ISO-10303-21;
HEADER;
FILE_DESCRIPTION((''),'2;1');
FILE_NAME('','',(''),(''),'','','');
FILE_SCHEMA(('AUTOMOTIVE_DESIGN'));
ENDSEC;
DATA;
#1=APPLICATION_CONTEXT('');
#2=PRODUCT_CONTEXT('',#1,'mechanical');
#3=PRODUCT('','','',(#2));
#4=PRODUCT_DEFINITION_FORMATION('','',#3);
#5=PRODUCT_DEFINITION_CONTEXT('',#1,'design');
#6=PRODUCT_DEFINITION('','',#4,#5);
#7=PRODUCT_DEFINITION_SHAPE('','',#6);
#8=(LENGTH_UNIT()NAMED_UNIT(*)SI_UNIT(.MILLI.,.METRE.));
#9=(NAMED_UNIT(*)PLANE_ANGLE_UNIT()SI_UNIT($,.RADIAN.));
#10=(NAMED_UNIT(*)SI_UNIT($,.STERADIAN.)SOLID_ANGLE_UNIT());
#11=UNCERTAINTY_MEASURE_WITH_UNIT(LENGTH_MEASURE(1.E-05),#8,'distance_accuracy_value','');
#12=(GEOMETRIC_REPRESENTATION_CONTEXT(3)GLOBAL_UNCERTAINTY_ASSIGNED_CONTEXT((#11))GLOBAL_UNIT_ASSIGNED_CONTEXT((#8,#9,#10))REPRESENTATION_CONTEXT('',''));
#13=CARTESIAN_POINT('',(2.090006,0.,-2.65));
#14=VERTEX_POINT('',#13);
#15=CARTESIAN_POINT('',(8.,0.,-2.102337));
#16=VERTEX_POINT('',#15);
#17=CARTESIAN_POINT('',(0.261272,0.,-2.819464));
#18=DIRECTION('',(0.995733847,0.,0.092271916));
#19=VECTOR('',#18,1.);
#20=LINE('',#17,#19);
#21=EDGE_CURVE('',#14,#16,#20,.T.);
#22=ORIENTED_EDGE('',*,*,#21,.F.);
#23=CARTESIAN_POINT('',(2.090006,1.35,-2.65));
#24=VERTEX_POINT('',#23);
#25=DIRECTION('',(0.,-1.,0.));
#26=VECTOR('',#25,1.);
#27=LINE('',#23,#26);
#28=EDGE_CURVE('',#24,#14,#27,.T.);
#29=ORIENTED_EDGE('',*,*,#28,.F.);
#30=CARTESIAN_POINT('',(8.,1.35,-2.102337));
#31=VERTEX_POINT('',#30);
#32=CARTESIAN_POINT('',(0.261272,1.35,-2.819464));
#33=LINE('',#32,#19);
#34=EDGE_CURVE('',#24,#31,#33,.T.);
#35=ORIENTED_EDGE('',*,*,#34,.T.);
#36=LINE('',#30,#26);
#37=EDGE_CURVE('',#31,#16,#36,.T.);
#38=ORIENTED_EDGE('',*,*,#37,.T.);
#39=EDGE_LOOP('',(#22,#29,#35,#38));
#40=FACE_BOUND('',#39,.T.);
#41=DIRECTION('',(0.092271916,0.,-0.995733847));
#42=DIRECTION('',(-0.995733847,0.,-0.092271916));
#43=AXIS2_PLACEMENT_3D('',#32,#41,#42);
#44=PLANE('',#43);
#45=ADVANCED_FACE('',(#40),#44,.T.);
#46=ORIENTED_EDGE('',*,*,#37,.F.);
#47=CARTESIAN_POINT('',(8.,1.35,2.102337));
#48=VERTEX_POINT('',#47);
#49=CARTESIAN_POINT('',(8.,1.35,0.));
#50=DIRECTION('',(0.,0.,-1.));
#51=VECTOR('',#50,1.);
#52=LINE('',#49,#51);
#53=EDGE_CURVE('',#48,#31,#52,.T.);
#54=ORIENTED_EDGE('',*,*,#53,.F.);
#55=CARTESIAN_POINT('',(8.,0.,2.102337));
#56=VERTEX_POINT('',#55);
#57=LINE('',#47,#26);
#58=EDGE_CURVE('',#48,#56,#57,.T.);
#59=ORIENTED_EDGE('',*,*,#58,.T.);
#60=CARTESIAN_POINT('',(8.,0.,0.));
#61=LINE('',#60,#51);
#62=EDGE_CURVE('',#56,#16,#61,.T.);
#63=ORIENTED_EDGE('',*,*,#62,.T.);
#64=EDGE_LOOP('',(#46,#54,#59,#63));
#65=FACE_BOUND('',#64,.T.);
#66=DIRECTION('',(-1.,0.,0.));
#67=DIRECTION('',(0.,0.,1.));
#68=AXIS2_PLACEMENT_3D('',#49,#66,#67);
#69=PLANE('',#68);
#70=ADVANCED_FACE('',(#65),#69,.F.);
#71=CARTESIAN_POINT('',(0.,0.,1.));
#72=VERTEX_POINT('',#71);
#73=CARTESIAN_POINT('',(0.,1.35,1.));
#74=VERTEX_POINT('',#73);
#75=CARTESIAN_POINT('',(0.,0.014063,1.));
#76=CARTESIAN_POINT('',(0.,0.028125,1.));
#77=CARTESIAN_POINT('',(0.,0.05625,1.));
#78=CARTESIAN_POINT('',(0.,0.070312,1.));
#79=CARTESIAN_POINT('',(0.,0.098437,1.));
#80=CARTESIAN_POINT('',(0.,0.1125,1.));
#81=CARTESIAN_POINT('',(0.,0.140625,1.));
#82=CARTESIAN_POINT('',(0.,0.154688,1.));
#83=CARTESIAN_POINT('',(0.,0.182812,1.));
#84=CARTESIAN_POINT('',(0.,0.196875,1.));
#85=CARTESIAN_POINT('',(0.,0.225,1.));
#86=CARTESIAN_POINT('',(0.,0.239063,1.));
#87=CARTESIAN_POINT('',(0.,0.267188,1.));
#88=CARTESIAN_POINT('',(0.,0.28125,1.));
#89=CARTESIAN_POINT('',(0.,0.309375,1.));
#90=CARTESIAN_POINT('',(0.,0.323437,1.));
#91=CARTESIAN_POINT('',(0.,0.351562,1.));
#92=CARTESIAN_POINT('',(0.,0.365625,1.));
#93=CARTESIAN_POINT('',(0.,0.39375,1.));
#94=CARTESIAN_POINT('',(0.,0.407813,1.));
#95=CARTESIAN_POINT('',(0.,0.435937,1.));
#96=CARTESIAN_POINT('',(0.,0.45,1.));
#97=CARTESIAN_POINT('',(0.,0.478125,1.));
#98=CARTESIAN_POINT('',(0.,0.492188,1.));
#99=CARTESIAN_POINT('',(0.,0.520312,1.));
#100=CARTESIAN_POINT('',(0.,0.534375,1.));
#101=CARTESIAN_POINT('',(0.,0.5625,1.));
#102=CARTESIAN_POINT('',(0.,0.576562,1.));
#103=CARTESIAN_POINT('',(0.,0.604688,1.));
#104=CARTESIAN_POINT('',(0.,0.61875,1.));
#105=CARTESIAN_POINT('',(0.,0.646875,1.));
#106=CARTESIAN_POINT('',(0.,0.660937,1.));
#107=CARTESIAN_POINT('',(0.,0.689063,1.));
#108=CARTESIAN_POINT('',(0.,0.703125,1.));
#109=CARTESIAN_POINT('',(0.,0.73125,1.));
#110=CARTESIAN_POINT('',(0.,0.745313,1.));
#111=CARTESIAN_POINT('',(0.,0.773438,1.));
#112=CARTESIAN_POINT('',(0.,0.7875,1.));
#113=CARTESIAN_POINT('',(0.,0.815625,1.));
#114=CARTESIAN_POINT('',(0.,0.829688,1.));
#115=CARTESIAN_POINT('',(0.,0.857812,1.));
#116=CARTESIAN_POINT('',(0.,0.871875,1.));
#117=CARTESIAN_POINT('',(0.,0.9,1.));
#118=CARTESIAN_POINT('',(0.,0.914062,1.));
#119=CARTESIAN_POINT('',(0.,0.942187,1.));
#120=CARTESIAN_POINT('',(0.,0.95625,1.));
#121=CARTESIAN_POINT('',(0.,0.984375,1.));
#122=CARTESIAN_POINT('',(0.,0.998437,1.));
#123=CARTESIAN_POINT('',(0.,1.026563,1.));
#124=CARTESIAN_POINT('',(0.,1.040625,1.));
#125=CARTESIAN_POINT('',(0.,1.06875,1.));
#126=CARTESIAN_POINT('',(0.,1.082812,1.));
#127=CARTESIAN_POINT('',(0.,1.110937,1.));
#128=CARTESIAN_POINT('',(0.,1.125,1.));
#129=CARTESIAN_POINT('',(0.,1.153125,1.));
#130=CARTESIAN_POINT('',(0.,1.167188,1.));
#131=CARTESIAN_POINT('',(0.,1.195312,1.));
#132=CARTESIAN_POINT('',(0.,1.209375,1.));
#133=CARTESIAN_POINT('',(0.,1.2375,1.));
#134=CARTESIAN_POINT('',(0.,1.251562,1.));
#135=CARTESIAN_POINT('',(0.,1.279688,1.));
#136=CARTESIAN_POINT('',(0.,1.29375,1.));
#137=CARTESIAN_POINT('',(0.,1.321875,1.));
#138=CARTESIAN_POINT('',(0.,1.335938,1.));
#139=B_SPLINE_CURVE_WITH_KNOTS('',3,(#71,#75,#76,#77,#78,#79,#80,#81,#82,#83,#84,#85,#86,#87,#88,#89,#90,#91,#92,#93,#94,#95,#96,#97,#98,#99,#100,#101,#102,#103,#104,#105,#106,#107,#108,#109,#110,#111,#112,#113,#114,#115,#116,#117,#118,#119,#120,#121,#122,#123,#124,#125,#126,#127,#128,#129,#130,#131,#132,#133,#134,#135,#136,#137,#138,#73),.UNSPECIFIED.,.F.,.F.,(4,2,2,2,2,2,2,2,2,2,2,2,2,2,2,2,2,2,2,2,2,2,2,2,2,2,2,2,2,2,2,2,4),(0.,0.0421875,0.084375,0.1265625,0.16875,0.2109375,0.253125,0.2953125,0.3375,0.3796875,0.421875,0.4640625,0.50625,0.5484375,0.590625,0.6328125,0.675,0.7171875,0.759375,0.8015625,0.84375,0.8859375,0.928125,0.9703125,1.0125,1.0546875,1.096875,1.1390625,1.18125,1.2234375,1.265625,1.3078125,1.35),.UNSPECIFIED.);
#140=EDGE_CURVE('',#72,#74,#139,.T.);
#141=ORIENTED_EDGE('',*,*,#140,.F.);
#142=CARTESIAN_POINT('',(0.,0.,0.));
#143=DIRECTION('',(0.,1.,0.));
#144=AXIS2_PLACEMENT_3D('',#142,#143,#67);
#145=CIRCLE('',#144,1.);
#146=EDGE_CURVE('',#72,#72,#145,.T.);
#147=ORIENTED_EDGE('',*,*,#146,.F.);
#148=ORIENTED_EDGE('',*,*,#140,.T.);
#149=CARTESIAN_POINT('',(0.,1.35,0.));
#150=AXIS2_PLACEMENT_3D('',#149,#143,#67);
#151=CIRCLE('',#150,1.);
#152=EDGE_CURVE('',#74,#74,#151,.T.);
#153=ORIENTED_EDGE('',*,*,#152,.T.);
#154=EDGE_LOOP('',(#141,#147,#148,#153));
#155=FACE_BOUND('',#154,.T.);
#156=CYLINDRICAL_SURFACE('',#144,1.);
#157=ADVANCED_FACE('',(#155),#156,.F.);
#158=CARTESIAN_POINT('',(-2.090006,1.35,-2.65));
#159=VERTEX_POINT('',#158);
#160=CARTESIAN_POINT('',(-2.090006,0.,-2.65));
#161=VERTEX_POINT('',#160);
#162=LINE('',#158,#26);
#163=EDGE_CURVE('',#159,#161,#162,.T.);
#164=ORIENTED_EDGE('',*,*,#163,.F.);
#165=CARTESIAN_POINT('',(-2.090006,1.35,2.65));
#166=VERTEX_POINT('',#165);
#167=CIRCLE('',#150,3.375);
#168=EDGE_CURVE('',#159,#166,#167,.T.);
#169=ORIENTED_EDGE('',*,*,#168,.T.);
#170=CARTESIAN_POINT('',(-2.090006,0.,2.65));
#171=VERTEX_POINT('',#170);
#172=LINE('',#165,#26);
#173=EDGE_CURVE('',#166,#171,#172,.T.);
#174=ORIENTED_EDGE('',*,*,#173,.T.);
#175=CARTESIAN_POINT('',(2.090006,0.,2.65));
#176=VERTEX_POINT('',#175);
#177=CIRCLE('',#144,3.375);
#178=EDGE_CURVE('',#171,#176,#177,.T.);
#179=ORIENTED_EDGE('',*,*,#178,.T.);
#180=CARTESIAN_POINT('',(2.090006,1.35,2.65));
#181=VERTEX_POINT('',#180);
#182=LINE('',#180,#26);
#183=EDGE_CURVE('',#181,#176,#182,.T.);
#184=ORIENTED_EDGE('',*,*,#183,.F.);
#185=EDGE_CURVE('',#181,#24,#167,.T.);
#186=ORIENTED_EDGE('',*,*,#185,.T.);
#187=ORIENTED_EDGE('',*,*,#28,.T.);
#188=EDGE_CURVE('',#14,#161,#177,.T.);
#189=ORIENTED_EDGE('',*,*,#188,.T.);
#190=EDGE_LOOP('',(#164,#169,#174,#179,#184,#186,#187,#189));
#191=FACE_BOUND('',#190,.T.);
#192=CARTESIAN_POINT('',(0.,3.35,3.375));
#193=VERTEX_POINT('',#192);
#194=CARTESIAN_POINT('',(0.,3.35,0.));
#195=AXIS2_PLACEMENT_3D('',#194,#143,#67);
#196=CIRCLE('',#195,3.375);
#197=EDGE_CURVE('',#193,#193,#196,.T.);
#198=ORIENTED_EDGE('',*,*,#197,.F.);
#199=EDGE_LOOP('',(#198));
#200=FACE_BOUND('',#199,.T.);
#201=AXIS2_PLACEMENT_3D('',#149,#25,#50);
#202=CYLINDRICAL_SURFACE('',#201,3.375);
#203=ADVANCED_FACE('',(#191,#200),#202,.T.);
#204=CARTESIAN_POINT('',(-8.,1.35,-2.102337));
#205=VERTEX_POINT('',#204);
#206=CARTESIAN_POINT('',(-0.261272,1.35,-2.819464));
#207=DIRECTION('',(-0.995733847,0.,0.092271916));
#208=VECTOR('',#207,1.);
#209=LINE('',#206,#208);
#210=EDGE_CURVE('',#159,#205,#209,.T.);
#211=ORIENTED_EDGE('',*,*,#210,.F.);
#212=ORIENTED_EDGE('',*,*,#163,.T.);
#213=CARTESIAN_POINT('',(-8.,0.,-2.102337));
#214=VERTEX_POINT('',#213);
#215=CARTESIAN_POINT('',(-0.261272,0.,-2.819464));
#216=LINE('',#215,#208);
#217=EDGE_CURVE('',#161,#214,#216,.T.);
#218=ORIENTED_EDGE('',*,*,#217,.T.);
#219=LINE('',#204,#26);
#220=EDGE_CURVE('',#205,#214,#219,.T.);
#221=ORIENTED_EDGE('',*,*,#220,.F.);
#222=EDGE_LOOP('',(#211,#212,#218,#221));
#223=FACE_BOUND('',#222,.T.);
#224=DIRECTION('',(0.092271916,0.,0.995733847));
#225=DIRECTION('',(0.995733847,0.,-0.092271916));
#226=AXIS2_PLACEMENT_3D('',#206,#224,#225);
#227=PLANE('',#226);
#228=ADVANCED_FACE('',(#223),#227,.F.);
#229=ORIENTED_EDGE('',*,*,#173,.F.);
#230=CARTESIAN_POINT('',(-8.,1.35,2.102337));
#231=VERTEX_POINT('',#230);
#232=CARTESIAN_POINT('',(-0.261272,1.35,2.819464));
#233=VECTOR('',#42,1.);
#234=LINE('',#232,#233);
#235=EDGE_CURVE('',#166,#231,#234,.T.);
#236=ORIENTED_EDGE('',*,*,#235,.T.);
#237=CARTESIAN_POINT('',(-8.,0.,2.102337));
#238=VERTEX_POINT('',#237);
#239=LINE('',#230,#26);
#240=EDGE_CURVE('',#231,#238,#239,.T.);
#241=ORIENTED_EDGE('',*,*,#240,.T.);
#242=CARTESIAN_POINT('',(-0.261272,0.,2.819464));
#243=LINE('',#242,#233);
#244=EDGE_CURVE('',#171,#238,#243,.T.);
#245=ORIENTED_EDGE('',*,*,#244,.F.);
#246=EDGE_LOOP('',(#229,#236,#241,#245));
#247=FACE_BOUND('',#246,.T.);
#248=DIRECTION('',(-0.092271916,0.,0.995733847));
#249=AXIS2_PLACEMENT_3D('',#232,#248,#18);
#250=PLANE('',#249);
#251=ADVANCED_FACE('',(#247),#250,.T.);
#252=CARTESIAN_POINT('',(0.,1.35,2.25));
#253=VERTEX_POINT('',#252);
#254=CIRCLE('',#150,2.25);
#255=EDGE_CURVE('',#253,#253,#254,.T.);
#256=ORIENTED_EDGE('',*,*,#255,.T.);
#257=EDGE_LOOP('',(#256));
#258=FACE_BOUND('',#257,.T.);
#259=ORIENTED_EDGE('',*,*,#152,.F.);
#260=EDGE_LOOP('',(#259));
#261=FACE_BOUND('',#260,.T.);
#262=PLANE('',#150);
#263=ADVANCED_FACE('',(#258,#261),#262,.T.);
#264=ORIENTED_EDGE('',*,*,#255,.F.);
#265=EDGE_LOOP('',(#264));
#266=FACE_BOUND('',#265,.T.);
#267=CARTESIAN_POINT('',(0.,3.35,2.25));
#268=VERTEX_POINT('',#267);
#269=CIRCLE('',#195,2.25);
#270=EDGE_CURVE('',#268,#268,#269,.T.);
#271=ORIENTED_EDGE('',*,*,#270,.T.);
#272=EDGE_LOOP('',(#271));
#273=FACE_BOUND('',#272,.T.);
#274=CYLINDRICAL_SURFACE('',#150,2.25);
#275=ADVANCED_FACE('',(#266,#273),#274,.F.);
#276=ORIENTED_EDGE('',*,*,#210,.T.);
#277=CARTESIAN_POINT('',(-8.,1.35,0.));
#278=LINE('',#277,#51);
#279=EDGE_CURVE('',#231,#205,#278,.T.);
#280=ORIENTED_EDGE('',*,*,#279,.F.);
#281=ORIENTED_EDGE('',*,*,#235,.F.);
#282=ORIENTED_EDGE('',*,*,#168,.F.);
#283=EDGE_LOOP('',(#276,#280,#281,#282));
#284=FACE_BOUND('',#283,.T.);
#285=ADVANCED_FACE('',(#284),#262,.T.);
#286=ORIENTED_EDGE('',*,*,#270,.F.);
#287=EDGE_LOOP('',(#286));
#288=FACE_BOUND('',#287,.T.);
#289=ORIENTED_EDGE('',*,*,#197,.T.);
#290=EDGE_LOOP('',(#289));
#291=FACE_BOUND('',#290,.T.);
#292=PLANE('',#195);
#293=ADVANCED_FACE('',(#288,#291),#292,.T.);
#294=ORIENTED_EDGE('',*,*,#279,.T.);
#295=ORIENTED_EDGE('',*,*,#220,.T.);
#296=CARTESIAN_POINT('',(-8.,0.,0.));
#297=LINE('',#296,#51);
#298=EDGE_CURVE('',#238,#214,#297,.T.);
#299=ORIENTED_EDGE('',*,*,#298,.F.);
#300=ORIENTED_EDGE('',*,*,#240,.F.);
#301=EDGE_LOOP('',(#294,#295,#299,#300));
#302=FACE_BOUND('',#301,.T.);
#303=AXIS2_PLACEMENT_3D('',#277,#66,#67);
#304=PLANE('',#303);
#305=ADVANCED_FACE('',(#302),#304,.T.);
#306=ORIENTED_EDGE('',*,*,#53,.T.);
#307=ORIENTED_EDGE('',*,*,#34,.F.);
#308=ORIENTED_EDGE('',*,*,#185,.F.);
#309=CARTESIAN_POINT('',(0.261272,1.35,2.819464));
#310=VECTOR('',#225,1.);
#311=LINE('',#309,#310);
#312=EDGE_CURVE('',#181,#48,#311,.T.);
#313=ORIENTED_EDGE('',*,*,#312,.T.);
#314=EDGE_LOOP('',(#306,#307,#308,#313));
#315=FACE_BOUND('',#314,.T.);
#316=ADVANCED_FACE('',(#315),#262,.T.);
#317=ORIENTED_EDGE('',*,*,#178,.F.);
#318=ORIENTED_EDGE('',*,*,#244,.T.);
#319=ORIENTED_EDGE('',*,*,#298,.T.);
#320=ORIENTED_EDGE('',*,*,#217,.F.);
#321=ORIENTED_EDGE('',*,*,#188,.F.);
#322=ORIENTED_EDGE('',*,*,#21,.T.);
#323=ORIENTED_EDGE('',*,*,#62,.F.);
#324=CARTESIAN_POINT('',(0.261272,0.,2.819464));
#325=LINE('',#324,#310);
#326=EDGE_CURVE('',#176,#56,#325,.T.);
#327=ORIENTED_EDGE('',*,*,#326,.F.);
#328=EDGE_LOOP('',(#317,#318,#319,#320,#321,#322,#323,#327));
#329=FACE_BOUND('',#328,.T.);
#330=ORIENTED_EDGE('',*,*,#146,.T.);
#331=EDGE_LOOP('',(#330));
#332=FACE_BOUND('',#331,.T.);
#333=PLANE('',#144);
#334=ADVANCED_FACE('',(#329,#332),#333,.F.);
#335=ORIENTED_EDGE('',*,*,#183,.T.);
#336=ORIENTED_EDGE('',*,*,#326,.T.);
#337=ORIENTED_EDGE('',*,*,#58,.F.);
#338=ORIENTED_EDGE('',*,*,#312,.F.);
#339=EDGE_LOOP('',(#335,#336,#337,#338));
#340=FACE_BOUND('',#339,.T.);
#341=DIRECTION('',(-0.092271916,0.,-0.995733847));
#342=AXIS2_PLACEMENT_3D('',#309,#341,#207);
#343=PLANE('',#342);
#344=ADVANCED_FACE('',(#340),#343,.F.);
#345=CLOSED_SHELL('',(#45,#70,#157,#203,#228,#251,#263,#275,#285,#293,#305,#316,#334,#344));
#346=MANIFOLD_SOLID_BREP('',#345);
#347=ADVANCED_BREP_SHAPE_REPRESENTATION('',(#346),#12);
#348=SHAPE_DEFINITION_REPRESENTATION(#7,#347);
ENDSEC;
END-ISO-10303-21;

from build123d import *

# Parameters (mm, degrees)
ESTRUSIONE_ESTRUSIONE1_DEPTH = 1.35
SCHIZZO2_R                   = 3.375
ESTRUSIONE_ESTRUSIONE2_DEPTH = 2
SCHIZZO3_R                   = 2.25
TAGLIO_ESTRUSIONE1_DEPTH     = 2
SCHIZZO4_R                   = 1
TAGLIO_ESTRUSIONE2_DEPTH     = 9.910141694


with BuildPart() as part:
    # Schizzo1 → Estrusione-Estrusione1 (new body)
    with BuildSketch(Plane(origin=(0, 0, 0), x_dir=(1, 0, 0), z_dir=(0, 1, 0))):
        with BuildLine():
            Line((8, 2.102337115), (2.090005981, 2.65))
            ThreePointArc((2.090005981, 2.65), (3.036807138, 1.472558117), (3.375, 0))
            ThreePointArc((3.375, 0), (3.036807138, -1.472558117), (2.090005981, -2.65))
            Line((2.090005981, -2.65), (8, -2.102337115))
            Line((8, -2.102337115), (8, 2.102337115))
        make_face()
        with BuildLine():
            ThreePointArc((2.090005981, 2.65), (0, 3.375), (-2.090005981, 2.65))
            Line((-2.090005981, 2.65), (-2.090005981, -2.65))
            ThreePointArc((-2.090005981, -2.65), (0, -3.375), (2.090005981, -2.65))
            Line((2.090005981, -2.65), (2.090005981, 2.65))
        make_face()
        with BuildLine():
            ThreePointArc((-2.090005981, -2.65), (-3.375, 0), (-2.090005981, 2.65))
            Line((-2.090005981, 2.65), (-8, 2.102337115))
            Line((-8, 2.102337115), (-8, -2.102337115))
            Line((-8, -2.102337115), (-2.090005981, -2.65))
        make_face()
        with BuildLine():
            Line((-2.090005981, -2.65), (-2.090005981, 2.65))
            ThreePointArc((-2.090005981, 2.65), (-3.375, 0), (-2.090005981, -2.65))
        make_face()
        with BuildLine():
            ThreePointArc((3.375, 0), (3.036807138, 1.472558117), (2.090005981, 2.65))
            Line((2.090005981, 2.65), (2.090005981, -2.65))
            ThreePointArc((2.090005981, -2.65), (3.036807138, -1.472558117), (3.375, 0))
        make_face()
    extrude(amount=ESTRUSIONE_ESTRUSIONE1_DEPTH)

    # Schizzo2 → Estrusione-Estrusione2 (add)
    with BuildSketch(Plane(origin=(0, 1.35, 0), x_dir=(1, 0, 0), z_dir=(0, 1, 0))):
        with Locations(Location((0, 0, 0), (0, 0, 51.737808872))):
            Circle(SCHIZZO2_R)
    extrude(amount=ESTRUSIONE_ESTRUSIONE2_DEPTH)

    # Schizzo3 → Taglio-Estrusione1 (cut)
    with BuildSketch(Plane(origin=(0, 3.35, 0), x_dir=(1, 0, 0), z_dir=(0, 1, 0))):
        with Locations(Location((0, 0, 0), (0, 0, 270))):
            Circle(SCHIZZO3_R)
    extrude(amount=-TAGLIO_ESTRUSIONE1_DEPTH, mode=Mode.SUBTRACT)

    # Schizzo4 → Taglio-Estrusione2 (cut, through all)
    with BuildSketch(Plane(origin=(0, 1.35, 0), x_dir=(1, 0, 0), z_dir=(0, 1, 0))):
        with Locations(Location((0, 0, 0), (0, 0, 270))):
            Circle(SCHIZZO4_R)
    extrude(amount=-TAGLIO_ESTRUSIONE2_DEPTH, mode=Mode.SUBTRACT)


solid = part.part
